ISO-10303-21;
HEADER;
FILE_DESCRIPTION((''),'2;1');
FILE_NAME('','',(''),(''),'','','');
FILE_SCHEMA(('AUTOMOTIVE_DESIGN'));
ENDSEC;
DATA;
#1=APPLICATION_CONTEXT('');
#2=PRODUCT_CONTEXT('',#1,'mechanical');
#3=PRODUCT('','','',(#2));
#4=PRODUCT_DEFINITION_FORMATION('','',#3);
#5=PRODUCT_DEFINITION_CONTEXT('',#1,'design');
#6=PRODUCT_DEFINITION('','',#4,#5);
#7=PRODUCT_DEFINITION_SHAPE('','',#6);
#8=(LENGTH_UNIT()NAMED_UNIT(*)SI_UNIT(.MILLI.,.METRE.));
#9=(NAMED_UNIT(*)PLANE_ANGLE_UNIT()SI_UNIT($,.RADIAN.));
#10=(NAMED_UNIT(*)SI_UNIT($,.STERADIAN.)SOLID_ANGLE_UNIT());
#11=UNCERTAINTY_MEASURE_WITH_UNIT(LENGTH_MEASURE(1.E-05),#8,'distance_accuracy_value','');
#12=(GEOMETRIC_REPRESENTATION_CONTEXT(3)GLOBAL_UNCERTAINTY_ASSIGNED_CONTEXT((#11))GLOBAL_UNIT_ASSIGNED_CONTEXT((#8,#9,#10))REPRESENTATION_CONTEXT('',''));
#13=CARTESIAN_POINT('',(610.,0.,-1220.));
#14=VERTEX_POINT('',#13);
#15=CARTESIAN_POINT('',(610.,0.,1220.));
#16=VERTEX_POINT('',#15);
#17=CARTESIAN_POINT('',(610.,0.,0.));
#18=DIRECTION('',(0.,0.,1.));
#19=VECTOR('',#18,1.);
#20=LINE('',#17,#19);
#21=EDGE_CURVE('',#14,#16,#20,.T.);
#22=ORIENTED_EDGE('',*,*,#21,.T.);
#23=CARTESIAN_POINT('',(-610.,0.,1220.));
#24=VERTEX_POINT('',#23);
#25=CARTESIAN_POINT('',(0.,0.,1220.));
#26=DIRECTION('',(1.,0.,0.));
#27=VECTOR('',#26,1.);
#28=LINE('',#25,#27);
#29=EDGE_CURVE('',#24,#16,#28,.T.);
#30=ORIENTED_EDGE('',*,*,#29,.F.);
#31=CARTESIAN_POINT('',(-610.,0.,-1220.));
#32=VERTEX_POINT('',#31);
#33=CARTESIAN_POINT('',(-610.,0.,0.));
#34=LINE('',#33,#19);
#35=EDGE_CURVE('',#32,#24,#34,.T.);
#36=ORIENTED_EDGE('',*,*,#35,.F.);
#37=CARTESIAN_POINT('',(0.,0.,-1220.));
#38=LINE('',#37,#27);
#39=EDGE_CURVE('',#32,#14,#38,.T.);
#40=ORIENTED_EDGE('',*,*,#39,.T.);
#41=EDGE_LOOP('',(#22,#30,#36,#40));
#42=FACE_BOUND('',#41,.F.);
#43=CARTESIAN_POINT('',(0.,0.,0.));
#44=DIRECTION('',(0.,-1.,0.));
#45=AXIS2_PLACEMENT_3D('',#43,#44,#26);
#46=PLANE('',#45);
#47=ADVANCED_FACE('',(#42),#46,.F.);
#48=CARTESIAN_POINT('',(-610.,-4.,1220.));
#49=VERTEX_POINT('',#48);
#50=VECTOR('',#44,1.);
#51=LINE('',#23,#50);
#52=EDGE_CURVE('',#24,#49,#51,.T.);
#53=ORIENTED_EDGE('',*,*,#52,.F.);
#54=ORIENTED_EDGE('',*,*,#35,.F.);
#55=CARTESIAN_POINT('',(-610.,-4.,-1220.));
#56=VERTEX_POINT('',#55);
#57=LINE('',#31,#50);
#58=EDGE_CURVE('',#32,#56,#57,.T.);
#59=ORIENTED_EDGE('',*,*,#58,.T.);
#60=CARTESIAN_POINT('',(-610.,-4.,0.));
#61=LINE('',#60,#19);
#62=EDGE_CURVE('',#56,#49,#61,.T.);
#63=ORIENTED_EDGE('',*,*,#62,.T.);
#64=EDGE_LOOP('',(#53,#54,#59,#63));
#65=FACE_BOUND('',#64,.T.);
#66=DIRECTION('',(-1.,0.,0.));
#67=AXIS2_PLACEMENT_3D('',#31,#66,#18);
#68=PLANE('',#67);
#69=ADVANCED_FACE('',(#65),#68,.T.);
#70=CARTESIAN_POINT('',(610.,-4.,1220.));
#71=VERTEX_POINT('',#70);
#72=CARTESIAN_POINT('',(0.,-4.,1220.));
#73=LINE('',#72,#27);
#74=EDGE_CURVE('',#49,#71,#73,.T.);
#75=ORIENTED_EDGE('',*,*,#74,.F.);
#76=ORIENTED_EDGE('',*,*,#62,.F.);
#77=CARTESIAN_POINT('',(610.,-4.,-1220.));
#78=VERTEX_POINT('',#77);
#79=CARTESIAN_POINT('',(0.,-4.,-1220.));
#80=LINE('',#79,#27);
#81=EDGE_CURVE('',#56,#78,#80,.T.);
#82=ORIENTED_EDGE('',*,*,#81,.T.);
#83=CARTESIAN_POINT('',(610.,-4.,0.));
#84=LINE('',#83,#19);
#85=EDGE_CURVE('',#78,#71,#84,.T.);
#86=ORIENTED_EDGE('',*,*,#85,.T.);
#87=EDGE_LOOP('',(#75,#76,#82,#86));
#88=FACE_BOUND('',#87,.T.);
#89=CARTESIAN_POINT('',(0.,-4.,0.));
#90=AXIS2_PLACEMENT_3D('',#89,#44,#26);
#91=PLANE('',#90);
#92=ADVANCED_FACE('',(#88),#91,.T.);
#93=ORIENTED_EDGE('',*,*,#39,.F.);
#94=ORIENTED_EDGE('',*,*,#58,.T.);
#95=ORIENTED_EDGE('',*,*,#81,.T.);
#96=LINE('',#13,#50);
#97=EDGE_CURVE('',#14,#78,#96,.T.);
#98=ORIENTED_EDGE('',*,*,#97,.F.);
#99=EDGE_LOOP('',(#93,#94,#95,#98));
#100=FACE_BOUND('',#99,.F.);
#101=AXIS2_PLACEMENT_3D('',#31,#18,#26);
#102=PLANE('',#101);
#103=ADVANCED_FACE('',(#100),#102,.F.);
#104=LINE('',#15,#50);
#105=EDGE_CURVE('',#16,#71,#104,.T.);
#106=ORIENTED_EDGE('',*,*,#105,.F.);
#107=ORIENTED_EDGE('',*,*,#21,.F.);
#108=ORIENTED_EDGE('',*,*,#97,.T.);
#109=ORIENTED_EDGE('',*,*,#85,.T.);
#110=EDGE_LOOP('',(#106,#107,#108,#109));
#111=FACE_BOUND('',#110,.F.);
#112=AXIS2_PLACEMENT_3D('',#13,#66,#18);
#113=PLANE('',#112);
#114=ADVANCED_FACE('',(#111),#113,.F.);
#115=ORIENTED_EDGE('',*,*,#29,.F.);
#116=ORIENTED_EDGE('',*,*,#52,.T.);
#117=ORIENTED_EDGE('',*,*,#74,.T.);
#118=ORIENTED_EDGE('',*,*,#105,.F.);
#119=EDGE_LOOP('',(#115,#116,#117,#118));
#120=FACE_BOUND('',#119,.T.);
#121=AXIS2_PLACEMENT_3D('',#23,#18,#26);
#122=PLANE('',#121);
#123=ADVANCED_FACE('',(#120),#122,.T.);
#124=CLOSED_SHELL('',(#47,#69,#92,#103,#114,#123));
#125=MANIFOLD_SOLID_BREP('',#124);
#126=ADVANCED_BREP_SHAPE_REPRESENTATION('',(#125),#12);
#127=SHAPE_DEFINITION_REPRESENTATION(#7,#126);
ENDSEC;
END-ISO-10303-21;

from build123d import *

# Parameters (mm, degrees)
SKETCH_W  = 1220
SKETCH_H  = 2440
PAD_DEPTH = 4


with BuildPart() as part:
    # Sketch → Pad (new body)
    with BuildSketch(Plane.XZ):
        Rectangle(SKETCH_W, SKETCH_H)
    extrude(amount=PAD_DEPTH)


solid = part.part
